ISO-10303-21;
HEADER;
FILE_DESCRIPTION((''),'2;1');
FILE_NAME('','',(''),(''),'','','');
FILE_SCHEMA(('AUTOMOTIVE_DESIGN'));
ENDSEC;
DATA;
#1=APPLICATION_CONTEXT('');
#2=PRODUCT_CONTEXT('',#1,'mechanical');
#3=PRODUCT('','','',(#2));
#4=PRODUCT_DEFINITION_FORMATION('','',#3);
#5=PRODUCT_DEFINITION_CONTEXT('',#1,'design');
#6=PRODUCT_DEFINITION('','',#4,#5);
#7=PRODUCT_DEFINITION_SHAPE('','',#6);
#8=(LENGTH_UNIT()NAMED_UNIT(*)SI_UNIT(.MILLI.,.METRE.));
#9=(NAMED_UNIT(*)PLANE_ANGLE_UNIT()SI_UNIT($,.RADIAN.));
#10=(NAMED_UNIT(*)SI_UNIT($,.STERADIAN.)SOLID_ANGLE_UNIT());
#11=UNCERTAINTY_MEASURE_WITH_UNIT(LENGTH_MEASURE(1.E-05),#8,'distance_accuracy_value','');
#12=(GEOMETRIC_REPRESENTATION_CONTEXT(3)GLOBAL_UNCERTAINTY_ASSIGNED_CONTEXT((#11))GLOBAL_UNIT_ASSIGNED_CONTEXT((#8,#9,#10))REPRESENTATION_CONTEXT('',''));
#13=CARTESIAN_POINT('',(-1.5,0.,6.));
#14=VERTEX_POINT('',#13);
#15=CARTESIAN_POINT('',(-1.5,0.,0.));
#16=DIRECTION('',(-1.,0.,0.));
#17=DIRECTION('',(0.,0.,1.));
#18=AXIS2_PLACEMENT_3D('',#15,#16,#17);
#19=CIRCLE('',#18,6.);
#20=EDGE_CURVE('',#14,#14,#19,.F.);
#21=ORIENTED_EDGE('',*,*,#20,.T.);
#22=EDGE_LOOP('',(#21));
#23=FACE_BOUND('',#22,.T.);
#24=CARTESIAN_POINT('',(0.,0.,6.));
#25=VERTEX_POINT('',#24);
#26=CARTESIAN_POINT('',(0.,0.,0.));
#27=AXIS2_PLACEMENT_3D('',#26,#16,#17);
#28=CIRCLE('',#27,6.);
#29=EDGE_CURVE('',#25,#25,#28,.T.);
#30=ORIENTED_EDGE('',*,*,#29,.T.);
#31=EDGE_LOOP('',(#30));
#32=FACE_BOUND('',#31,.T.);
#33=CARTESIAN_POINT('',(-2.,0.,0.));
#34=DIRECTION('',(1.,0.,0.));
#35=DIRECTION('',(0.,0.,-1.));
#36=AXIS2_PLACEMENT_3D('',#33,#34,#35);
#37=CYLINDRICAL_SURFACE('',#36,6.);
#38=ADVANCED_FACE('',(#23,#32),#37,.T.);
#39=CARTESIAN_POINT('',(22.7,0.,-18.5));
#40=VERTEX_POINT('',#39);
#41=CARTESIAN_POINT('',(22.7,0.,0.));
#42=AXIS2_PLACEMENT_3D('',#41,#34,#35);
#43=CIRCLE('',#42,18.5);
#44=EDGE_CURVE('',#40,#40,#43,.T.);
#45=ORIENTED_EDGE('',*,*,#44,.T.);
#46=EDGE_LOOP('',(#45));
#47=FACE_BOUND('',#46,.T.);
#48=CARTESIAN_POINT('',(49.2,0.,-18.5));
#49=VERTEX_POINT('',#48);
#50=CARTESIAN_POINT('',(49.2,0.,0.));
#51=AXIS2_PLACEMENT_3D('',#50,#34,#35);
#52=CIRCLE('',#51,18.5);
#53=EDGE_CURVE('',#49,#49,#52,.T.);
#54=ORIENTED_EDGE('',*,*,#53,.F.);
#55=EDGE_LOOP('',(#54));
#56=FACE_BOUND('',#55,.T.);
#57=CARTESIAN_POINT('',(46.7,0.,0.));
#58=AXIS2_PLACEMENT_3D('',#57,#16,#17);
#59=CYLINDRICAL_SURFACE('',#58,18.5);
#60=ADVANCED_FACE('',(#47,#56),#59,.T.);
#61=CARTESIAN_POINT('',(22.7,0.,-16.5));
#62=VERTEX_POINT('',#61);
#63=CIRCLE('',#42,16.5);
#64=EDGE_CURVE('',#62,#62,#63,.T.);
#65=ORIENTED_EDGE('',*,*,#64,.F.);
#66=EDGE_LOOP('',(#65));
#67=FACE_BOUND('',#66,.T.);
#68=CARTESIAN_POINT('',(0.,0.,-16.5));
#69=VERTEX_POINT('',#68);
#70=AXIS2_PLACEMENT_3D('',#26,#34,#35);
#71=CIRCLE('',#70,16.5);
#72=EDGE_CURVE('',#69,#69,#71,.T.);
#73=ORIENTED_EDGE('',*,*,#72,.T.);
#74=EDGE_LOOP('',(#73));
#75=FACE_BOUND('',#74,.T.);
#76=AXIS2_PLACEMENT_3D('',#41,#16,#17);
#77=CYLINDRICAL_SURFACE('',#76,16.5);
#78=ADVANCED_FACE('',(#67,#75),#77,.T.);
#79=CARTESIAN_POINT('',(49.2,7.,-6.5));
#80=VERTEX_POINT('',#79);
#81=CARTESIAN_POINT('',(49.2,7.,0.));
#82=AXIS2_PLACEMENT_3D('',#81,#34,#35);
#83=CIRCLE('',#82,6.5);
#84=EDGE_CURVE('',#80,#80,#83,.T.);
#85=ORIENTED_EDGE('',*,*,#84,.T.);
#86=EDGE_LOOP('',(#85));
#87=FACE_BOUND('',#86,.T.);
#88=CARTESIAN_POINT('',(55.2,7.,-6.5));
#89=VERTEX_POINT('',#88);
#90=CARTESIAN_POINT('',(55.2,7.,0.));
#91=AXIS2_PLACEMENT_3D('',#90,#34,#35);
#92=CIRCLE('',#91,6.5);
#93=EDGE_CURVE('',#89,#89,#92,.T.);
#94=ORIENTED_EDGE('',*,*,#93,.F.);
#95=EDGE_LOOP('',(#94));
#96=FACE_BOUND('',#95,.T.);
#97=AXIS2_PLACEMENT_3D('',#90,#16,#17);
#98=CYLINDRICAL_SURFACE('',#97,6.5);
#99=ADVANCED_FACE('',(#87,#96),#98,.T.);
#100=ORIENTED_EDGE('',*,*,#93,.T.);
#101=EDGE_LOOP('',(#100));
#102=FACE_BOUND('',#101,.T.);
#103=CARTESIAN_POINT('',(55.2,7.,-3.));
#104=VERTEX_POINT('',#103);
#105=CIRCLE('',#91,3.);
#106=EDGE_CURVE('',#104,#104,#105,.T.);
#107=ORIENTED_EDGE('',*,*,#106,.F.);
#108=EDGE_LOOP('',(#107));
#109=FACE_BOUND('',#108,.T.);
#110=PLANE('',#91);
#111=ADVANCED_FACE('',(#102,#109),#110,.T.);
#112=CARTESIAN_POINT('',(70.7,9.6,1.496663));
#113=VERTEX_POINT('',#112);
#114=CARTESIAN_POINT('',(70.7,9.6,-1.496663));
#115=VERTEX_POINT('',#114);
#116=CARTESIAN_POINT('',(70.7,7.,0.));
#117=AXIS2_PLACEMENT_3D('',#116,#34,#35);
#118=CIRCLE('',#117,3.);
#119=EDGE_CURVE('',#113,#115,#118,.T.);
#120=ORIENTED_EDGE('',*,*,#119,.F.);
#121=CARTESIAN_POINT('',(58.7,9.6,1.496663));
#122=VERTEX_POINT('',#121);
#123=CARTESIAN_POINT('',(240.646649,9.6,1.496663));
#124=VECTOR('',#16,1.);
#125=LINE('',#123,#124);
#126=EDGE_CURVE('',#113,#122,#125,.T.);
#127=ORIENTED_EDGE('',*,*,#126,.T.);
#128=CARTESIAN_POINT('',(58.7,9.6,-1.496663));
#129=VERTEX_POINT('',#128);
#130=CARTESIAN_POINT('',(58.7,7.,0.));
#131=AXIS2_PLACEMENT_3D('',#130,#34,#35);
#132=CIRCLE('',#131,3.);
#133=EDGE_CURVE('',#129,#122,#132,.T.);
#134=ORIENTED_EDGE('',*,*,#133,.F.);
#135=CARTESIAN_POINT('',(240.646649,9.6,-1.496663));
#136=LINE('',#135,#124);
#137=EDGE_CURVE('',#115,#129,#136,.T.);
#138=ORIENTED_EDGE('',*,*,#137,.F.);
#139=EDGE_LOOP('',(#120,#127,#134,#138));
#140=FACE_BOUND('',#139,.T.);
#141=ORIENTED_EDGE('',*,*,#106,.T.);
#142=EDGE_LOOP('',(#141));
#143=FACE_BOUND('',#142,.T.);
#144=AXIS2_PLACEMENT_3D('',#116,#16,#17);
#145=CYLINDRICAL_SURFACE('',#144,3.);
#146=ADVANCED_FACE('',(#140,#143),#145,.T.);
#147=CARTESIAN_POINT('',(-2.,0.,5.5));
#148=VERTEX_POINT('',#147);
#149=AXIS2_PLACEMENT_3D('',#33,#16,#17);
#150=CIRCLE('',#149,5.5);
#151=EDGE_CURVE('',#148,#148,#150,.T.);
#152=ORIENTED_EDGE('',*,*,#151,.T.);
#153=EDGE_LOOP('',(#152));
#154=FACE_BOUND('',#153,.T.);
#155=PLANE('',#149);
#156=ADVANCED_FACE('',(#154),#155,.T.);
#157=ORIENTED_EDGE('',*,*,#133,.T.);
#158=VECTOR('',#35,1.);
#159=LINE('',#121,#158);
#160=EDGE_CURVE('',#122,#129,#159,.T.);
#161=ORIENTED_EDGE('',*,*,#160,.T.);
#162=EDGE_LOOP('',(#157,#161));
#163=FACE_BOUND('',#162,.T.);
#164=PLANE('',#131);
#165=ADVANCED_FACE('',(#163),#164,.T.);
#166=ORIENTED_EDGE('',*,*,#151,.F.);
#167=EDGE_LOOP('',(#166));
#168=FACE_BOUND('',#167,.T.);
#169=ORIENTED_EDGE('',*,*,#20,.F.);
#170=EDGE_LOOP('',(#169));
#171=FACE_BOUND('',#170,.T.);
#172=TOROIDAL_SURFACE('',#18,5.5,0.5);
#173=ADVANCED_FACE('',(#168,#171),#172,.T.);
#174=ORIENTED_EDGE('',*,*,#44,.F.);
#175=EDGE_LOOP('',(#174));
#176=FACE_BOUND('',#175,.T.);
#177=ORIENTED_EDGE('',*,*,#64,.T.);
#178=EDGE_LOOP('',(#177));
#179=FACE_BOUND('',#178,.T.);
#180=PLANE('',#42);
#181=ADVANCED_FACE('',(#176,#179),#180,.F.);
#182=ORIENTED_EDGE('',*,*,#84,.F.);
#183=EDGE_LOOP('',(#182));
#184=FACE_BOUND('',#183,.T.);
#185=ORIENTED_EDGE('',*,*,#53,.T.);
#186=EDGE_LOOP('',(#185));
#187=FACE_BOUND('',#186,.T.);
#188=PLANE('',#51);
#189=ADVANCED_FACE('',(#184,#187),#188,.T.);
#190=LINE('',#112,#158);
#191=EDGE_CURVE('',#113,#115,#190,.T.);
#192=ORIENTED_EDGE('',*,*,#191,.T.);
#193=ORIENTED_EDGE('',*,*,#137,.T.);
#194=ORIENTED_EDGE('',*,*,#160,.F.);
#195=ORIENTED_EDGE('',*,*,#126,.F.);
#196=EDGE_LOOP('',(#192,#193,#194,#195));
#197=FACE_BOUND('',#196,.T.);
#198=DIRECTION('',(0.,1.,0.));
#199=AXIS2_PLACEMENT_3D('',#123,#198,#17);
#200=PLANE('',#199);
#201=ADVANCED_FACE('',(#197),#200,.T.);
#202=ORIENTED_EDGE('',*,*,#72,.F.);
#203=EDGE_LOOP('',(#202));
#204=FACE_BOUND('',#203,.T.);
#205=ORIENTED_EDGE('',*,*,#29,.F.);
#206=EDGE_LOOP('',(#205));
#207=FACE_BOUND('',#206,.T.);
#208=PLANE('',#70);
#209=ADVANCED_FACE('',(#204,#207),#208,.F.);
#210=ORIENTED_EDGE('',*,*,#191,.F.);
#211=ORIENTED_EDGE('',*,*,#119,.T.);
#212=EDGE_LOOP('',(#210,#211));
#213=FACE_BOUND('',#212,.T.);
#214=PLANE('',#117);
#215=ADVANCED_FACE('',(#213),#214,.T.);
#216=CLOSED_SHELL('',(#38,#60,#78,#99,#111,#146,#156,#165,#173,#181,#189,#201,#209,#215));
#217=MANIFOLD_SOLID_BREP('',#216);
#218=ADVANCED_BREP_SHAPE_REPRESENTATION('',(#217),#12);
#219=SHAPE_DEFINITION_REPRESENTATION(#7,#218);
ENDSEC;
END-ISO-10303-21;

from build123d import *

# Parameters (mm, degrees)
SKETCH_1_R               = 16.5
EXTRUDE_1_DEPTH          = 22.7
SKETCH_2_R               = 18.5
EXTRUDE_2_DEPTH          = 24
SKETCH_3_R               = 6.5
EXTRUDE_3_DEPTH          = 8.5
SKETCH_5_R               = 1.5
CUT_EXTRUDE_2_DEPTH      = 10
SKETCH_2_2_R             = 18.5
EXTRUDE_4_DEPTH          = 26.5
SKETCH_3_2_R             = 6.5
EXTRUDE_5_DEPTH          = 6
SKETCH_9_R               = 3
EXTRUDE_6_DEPTH          = 15.5
CUT_EXTRUDE_3_DEPTH      = 76.385608706
CUT_EXTRUDE_3_DEPTH_BACK = 12
SKETCH_11_R              = 6
EXTRUDE_7_DEPTH          = 2
FILLET_1_R               = 0.5


with BuildPart() as part:
    # 草图1 → 凸台-拉伸1 (new body)
    with BuildSketch(Plane(origin=(0, 0, 0), x_dir=(0, 0, -1), z_dir=(1, 0, 0))):
        Circle(SKETCH_1_R)
    extrude(amount=EXTRUDE_1_DEPTH)

    # 草图2 → 凸台-拉伸2 (add)
    with BuildSketch(Plane(origin=(22.7, 0, 0), x_dir=(0, 0, -1), z_dir=(1, 0, 0))):
        Circle(SKETCH_2_R)
    extrude(amount=EXTRUDE_2_DEPTH)

    # 草图3 → 凸台-拉伸3 (add)
    with BuildSketch(Plane(origin=(46.7, 0, 0), x_dir=(0, 0, -1), z_dir=(1, 0, 0))):
        with Locations((0, 7)):
            Circle(SKETCH_3_R)
    extrude(amount=EXTRUDE_3_DEPTH)

    # 草图5 → 切除-拉伸2 (cut)
    with BuildSketch(Plane(origin=(46.7, 0, 0), x_dir=(0, 0, -1), z_dir=(1, 0, 0))):
        with Locations((-15.5, 0)):
            Circle(SKETCH_5_R)
        with Locations((-7.75, 13.423393759)):
            Circle(SKETCH_5_R)
        with Locations((7.75, 13.423393759)):
            Circle(SKETCH_5_R)
        with Locations((15.5, 0)):
            Circle(SKETCH_5_R)
        with Locations((7.75, -13.423393759)):
            Circle(SKETCH_5_R)
        with Locations((-7.75, -13.423393759)):
            Circle(SKETCH_5_R)
    extrude(amount=-CUT_EXTRUDE_2_DEPTH, mode=Mode.SUBTRACT)

    # 草图2<2> → 凸台-拉伸4 (add)
    with BuildSketch(Plane(origin=(22.7, 0, 0), x_dir=(0, 0, -1), z_dir=(1, 0, 0))):
        Circle(SKETCH_2_2_R)
    extrude(amount=EXTRUDE_4_DEPTH)

    # 草图3<2> → 凸台-拉伸5 (add)
    with BuildSketch(Plane(origin=(46.7, 0, 0), x_dir=(0, 0, -1), z_dir=(1, 0, 0))):
        with Locations((0, 7)):
            Circle(SKETCH_3_2_R)
    extrude(amount=EXTRUDE_5_DEPTH)

    # 草图9 → 凸台-拉伸6 (add)
    with BuildSketch(Plane(origin=(55.2, 0, 0), x_dir=(0, 0, -1), z_dir=(1, 0, 0))):
        with Locations((0, 7)):
            Circle(SKETCH_9_R)
    extrude(amount=EXTRUDE_6_DEPTH)

    # 草图10 → 切除-拉伸3 (cut, two sides: drawn at the far end of the back side and taken through both)
    with BuildSketch(Plane(origin=(70.7, 0, 0), x_dir=(0, 0, -1), z_dir=(1, 0, 0)).offset(-CUT_EXTRUDE_3_DEPTH_BACK)):
        Polygon((-80.474239871, 9.6), (-1.496662955, 9.6), (1.496662955, 9.6), (80.474239871, 9.6), (80.474239871, 167.555153833), (-80.474239871, 167.555153833), align=None)
    extrude(amount=CUT_EXTRUDE_3_DEPTH + CUT_EXTRUDE_3_DEPTH_BACK, mode=Mode.SUBTRACT)

    # 草图11 → 凸台-拉伸7 (add)
    with BuildSketch(Plane.ZY):
        Circle(SKETCH_11_R)
    extrude(amount=EXTRUDE_7_DEPTH)

    # 圆角1
    fillet_1_edges = [part.edges().sort_by_distance(p)[0] for p in [
        (-2, 0, -6),
    ]]
    fillet(fillet_1_edges, radius=FILLET_1_R)


solid = part.part
